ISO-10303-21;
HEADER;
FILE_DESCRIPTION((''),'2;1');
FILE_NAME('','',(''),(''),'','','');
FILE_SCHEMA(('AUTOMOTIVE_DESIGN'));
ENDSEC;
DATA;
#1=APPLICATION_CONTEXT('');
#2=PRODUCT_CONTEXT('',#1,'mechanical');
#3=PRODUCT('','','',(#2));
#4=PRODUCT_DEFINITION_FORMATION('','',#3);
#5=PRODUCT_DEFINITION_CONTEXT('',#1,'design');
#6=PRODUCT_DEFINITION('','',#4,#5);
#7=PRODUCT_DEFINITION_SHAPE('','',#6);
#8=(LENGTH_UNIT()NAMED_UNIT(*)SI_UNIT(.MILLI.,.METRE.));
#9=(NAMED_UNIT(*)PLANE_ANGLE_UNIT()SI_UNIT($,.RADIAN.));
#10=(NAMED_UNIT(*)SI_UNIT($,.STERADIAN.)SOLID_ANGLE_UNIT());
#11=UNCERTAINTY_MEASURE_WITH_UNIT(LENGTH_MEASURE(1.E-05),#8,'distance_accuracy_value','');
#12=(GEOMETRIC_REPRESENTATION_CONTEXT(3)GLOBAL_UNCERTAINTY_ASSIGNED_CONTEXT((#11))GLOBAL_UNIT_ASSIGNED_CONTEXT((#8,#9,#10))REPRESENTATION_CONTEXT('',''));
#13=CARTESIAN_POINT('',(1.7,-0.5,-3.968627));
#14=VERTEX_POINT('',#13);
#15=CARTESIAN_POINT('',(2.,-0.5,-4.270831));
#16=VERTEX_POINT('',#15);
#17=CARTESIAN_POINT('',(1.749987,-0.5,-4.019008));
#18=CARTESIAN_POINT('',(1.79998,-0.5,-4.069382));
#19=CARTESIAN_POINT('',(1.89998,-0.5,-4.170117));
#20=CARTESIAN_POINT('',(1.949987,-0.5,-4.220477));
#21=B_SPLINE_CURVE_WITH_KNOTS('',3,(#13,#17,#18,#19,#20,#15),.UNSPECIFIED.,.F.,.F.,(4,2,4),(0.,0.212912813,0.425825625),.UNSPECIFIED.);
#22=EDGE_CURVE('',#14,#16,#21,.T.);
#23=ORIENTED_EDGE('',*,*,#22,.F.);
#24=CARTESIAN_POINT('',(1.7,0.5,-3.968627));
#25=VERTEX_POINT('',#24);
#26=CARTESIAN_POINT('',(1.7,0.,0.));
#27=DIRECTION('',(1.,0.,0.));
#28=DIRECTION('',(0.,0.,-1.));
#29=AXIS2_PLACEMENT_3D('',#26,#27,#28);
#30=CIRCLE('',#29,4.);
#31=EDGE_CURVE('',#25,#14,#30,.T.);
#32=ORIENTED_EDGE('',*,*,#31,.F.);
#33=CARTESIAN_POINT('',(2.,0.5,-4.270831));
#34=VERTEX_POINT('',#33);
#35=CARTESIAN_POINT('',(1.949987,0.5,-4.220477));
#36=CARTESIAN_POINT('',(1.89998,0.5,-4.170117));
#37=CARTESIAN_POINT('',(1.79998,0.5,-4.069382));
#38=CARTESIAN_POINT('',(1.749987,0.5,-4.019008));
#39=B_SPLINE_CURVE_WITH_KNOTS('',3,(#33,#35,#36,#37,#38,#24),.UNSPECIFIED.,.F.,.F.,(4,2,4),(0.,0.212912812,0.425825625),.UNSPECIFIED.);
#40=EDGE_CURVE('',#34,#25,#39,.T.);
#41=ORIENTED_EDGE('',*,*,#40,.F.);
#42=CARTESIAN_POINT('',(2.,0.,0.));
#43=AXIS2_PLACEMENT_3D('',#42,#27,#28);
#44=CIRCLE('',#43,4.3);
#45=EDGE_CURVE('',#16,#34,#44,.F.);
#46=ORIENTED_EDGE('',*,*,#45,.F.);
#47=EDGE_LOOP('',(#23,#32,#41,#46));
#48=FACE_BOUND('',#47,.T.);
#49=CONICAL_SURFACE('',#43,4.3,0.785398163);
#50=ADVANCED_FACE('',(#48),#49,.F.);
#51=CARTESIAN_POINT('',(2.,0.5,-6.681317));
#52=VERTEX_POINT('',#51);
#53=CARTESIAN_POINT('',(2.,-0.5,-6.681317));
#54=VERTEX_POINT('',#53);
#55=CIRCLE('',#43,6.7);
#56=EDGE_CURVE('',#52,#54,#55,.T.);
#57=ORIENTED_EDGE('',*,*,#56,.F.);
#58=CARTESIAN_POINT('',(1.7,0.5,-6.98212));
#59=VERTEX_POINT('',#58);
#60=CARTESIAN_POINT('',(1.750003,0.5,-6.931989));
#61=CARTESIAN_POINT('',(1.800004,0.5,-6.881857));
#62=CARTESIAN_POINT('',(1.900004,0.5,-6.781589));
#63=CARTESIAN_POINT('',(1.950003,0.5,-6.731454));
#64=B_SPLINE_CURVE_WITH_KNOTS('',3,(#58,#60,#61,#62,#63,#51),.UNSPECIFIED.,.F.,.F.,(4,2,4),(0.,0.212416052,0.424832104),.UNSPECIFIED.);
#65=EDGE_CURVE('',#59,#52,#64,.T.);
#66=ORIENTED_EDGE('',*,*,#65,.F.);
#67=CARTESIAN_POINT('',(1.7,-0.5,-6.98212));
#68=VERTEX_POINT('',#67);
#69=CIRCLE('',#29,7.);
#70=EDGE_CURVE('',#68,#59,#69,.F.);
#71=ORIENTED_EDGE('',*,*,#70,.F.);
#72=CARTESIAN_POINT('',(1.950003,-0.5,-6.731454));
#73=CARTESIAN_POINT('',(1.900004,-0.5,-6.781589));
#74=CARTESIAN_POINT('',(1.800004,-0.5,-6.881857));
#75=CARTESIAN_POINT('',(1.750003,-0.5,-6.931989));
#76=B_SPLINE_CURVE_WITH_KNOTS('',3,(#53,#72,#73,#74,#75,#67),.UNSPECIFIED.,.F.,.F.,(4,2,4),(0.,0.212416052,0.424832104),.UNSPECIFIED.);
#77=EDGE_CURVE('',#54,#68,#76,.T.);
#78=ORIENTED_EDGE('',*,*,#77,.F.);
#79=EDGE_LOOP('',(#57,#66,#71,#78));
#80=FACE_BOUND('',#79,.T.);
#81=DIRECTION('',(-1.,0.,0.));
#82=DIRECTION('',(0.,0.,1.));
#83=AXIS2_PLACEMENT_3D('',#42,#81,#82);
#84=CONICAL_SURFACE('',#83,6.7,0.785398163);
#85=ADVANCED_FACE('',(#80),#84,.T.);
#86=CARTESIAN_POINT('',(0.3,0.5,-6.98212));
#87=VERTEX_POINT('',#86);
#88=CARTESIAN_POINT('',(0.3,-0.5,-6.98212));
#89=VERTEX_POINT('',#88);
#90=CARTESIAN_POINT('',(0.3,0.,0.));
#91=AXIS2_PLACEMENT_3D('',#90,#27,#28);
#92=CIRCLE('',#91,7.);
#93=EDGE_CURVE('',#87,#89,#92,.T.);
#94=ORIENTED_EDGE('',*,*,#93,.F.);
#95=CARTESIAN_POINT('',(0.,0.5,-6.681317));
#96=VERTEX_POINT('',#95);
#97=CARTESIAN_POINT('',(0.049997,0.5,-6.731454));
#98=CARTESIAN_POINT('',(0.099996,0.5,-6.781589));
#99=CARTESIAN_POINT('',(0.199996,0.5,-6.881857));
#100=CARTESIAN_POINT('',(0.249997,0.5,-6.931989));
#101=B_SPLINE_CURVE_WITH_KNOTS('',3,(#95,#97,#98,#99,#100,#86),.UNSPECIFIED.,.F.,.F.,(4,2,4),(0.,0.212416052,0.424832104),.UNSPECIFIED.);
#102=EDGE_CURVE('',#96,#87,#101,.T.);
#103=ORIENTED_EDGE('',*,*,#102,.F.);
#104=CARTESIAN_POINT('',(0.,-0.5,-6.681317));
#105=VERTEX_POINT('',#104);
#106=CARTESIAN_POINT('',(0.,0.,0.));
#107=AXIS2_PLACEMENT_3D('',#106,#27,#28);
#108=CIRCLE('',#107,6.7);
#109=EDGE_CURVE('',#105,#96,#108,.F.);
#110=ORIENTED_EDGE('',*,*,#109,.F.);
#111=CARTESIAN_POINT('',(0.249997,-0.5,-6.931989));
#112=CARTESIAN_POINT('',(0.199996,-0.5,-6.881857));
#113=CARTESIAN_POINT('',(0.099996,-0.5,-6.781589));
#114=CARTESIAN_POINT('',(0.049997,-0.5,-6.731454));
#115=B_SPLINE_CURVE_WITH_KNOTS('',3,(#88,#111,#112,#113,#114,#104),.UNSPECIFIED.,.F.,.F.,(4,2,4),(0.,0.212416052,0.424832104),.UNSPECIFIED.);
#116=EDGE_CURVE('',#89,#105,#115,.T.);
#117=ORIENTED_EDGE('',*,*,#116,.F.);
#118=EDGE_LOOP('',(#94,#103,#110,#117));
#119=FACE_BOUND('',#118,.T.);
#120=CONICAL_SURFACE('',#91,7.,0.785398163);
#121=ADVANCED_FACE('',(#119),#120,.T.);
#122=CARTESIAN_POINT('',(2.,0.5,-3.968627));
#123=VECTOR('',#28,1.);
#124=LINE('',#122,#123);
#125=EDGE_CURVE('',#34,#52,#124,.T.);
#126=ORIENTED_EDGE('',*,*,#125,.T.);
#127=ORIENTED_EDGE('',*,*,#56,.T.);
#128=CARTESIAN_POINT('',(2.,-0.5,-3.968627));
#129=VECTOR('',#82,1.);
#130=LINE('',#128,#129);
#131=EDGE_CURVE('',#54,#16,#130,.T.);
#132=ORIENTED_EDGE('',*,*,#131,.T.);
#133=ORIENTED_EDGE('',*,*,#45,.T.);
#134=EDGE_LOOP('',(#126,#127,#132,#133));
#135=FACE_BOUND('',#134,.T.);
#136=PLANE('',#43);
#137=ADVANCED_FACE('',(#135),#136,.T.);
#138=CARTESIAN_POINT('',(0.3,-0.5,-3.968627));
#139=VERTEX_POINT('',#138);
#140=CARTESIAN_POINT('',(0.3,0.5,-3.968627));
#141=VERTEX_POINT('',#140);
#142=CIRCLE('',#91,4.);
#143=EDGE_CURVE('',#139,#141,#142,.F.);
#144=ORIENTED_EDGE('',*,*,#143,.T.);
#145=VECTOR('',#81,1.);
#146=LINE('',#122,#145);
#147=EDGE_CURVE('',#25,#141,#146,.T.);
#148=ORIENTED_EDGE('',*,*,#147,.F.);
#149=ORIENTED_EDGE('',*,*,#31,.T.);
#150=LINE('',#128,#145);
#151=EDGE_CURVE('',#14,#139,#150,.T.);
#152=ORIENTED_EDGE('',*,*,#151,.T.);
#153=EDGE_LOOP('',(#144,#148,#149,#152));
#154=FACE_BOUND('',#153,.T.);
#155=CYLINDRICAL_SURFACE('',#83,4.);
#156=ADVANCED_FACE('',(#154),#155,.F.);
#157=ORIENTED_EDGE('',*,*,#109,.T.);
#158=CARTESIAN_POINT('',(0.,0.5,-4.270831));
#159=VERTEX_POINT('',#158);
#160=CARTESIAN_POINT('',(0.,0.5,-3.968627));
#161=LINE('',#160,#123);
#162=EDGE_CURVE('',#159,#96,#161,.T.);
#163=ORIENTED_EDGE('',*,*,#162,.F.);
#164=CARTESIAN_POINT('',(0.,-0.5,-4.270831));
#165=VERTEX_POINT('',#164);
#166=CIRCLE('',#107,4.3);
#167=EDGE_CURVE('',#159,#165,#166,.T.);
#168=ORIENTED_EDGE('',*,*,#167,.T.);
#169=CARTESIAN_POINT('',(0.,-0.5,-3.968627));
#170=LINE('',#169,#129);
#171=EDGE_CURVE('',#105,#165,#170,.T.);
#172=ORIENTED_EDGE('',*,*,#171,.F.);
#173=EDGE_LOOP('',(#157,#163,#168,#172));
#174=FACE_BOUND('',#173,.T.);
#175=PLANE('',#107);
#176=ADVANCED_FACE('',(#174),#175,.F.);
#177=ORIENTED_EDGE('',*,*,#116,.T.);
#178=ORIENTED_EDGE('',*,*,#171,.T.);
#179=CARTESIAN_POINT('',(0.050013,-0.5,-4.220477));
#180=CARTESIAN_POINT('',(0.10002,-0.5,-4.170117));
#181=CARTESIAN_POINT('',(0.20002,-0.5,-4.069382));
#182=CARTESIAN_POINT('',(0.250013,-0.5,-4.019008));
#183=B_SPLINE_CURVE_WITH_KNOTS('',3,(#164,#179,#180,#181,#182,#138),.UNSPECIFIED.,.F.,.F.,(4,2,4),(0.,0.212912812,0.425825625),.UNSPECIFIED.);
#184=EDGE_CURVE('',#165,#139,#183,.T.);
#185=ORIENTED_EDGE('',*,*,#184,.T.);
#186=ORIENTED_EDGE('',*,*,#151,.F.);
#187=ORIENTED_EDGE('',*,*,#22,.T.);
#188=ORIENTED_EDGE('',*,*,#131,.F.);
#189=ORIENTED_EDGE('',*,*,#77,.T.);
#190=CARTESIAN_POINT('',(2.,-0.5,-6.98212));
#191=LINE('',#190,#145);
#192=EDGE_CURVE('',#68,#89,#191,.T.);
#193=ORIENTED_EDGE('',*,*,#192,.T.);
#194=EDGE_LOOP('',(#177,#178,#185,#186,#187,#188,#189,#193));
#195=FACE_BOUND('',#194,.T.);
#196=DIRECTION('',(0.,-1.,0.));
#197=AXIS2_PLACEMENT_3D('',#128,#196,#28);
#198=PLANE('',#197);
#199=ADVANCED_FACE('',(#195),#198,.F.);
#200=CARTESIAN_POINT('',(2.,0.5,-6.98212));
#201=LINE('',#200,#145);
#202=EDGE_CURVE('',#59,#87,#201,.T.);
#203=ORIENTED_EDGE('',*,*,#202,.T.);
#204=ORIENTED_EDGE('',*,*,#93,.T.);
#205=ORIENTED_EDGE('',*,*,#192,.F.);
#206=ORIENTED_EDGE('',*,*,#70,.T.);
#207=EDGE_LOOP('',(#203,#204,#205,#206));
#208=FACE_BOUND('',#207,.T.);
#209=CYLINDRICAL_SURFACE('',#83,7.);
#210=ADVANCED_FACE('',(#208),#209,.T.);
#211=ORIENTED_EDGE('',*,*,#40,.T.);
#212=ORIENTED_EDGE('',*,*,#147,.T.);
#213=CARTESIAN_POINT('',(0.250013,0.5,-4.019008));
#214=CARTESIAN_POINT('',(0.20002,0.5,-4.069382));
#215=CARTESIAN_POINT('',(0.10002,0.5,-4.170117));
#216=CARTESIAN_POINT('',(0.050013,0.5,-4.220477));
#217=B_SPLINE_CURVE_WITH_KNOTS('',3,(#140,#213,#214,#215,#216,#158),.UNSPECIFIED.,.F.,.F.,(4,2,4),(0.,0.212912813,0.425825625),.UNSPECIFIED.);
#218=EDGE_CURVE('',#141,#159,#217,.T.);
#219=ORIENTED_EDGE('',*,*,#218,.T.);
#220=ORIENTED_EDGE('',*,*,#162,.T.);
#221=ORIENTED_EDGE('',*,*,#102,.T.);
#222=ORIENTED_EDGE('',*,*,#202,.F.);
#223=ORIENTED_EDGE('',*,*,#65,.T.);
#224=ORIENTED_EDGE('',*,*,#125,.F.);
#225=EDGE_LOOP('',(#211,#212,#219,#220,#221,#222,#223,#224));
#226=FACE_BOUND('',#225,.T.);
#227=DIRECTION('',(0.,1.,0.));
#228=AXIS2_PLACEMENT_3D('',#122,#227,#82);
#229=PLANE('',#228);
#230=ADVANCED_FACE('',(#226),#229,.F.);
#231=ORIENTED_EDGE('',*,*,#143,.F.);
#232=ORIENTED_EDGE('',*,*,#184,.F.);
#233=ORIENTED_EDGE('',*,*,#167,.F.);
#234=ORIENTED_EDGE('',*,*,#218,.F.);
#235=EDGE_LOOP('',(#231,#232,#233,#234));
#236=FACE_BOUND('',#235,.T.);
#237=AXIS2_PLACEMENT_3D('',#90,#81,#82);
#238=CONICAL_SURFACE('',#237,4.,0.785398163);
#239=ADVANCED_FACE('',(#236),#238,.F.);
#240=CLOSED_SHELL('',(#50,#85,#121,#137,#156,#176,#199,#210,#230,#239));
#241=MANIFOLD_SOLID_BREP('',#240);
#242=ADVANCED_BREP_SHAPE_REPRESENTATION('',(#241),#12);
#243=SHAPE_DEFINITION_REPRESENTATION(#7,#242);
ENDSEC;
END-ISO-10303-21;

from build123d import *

# Parameters (mm, degrees)
BOSS_EXTRUDE1_DEPTH = 2
CHAMFER1_SIZE       = 0.3


with BuildPart() as part:
    # Sketch1 → Boss-Extrude1 (new body)
    with BuildSketch(Plane(origin=(0, 0, 0), x_dir=(0, 0, -1), z_dir=(1, 0, 0))):
        with BuildLine():
            Line((3.968626967, 0.5), (6.982120022, 0.5))
            ThreePointArc((6.982120022, 0.5), (-7, 0), (6.982120022, -0.5))
            Line((6.982120022, -0.5), (3.968626967, -0.5))
            ThreePointArc((3.968626967, -0.5), (-4, 0), (3.968626967, 0.5))
        make_face()
    extrude(amount=BOSS_EXTRUDE1_DEPTH)

    # Chamfer1
    chamfer1_edges = [part.edges().sort_by_distance(p)[0] for p in [
        (2, 0, 4),
        (2, 0, 7),
        (0, 0, 4),
        (0, 0, 7),
    ]]
    chamfer(chamfer1_edges, length=CHAMFER1_SIZE)


solid = part.part
